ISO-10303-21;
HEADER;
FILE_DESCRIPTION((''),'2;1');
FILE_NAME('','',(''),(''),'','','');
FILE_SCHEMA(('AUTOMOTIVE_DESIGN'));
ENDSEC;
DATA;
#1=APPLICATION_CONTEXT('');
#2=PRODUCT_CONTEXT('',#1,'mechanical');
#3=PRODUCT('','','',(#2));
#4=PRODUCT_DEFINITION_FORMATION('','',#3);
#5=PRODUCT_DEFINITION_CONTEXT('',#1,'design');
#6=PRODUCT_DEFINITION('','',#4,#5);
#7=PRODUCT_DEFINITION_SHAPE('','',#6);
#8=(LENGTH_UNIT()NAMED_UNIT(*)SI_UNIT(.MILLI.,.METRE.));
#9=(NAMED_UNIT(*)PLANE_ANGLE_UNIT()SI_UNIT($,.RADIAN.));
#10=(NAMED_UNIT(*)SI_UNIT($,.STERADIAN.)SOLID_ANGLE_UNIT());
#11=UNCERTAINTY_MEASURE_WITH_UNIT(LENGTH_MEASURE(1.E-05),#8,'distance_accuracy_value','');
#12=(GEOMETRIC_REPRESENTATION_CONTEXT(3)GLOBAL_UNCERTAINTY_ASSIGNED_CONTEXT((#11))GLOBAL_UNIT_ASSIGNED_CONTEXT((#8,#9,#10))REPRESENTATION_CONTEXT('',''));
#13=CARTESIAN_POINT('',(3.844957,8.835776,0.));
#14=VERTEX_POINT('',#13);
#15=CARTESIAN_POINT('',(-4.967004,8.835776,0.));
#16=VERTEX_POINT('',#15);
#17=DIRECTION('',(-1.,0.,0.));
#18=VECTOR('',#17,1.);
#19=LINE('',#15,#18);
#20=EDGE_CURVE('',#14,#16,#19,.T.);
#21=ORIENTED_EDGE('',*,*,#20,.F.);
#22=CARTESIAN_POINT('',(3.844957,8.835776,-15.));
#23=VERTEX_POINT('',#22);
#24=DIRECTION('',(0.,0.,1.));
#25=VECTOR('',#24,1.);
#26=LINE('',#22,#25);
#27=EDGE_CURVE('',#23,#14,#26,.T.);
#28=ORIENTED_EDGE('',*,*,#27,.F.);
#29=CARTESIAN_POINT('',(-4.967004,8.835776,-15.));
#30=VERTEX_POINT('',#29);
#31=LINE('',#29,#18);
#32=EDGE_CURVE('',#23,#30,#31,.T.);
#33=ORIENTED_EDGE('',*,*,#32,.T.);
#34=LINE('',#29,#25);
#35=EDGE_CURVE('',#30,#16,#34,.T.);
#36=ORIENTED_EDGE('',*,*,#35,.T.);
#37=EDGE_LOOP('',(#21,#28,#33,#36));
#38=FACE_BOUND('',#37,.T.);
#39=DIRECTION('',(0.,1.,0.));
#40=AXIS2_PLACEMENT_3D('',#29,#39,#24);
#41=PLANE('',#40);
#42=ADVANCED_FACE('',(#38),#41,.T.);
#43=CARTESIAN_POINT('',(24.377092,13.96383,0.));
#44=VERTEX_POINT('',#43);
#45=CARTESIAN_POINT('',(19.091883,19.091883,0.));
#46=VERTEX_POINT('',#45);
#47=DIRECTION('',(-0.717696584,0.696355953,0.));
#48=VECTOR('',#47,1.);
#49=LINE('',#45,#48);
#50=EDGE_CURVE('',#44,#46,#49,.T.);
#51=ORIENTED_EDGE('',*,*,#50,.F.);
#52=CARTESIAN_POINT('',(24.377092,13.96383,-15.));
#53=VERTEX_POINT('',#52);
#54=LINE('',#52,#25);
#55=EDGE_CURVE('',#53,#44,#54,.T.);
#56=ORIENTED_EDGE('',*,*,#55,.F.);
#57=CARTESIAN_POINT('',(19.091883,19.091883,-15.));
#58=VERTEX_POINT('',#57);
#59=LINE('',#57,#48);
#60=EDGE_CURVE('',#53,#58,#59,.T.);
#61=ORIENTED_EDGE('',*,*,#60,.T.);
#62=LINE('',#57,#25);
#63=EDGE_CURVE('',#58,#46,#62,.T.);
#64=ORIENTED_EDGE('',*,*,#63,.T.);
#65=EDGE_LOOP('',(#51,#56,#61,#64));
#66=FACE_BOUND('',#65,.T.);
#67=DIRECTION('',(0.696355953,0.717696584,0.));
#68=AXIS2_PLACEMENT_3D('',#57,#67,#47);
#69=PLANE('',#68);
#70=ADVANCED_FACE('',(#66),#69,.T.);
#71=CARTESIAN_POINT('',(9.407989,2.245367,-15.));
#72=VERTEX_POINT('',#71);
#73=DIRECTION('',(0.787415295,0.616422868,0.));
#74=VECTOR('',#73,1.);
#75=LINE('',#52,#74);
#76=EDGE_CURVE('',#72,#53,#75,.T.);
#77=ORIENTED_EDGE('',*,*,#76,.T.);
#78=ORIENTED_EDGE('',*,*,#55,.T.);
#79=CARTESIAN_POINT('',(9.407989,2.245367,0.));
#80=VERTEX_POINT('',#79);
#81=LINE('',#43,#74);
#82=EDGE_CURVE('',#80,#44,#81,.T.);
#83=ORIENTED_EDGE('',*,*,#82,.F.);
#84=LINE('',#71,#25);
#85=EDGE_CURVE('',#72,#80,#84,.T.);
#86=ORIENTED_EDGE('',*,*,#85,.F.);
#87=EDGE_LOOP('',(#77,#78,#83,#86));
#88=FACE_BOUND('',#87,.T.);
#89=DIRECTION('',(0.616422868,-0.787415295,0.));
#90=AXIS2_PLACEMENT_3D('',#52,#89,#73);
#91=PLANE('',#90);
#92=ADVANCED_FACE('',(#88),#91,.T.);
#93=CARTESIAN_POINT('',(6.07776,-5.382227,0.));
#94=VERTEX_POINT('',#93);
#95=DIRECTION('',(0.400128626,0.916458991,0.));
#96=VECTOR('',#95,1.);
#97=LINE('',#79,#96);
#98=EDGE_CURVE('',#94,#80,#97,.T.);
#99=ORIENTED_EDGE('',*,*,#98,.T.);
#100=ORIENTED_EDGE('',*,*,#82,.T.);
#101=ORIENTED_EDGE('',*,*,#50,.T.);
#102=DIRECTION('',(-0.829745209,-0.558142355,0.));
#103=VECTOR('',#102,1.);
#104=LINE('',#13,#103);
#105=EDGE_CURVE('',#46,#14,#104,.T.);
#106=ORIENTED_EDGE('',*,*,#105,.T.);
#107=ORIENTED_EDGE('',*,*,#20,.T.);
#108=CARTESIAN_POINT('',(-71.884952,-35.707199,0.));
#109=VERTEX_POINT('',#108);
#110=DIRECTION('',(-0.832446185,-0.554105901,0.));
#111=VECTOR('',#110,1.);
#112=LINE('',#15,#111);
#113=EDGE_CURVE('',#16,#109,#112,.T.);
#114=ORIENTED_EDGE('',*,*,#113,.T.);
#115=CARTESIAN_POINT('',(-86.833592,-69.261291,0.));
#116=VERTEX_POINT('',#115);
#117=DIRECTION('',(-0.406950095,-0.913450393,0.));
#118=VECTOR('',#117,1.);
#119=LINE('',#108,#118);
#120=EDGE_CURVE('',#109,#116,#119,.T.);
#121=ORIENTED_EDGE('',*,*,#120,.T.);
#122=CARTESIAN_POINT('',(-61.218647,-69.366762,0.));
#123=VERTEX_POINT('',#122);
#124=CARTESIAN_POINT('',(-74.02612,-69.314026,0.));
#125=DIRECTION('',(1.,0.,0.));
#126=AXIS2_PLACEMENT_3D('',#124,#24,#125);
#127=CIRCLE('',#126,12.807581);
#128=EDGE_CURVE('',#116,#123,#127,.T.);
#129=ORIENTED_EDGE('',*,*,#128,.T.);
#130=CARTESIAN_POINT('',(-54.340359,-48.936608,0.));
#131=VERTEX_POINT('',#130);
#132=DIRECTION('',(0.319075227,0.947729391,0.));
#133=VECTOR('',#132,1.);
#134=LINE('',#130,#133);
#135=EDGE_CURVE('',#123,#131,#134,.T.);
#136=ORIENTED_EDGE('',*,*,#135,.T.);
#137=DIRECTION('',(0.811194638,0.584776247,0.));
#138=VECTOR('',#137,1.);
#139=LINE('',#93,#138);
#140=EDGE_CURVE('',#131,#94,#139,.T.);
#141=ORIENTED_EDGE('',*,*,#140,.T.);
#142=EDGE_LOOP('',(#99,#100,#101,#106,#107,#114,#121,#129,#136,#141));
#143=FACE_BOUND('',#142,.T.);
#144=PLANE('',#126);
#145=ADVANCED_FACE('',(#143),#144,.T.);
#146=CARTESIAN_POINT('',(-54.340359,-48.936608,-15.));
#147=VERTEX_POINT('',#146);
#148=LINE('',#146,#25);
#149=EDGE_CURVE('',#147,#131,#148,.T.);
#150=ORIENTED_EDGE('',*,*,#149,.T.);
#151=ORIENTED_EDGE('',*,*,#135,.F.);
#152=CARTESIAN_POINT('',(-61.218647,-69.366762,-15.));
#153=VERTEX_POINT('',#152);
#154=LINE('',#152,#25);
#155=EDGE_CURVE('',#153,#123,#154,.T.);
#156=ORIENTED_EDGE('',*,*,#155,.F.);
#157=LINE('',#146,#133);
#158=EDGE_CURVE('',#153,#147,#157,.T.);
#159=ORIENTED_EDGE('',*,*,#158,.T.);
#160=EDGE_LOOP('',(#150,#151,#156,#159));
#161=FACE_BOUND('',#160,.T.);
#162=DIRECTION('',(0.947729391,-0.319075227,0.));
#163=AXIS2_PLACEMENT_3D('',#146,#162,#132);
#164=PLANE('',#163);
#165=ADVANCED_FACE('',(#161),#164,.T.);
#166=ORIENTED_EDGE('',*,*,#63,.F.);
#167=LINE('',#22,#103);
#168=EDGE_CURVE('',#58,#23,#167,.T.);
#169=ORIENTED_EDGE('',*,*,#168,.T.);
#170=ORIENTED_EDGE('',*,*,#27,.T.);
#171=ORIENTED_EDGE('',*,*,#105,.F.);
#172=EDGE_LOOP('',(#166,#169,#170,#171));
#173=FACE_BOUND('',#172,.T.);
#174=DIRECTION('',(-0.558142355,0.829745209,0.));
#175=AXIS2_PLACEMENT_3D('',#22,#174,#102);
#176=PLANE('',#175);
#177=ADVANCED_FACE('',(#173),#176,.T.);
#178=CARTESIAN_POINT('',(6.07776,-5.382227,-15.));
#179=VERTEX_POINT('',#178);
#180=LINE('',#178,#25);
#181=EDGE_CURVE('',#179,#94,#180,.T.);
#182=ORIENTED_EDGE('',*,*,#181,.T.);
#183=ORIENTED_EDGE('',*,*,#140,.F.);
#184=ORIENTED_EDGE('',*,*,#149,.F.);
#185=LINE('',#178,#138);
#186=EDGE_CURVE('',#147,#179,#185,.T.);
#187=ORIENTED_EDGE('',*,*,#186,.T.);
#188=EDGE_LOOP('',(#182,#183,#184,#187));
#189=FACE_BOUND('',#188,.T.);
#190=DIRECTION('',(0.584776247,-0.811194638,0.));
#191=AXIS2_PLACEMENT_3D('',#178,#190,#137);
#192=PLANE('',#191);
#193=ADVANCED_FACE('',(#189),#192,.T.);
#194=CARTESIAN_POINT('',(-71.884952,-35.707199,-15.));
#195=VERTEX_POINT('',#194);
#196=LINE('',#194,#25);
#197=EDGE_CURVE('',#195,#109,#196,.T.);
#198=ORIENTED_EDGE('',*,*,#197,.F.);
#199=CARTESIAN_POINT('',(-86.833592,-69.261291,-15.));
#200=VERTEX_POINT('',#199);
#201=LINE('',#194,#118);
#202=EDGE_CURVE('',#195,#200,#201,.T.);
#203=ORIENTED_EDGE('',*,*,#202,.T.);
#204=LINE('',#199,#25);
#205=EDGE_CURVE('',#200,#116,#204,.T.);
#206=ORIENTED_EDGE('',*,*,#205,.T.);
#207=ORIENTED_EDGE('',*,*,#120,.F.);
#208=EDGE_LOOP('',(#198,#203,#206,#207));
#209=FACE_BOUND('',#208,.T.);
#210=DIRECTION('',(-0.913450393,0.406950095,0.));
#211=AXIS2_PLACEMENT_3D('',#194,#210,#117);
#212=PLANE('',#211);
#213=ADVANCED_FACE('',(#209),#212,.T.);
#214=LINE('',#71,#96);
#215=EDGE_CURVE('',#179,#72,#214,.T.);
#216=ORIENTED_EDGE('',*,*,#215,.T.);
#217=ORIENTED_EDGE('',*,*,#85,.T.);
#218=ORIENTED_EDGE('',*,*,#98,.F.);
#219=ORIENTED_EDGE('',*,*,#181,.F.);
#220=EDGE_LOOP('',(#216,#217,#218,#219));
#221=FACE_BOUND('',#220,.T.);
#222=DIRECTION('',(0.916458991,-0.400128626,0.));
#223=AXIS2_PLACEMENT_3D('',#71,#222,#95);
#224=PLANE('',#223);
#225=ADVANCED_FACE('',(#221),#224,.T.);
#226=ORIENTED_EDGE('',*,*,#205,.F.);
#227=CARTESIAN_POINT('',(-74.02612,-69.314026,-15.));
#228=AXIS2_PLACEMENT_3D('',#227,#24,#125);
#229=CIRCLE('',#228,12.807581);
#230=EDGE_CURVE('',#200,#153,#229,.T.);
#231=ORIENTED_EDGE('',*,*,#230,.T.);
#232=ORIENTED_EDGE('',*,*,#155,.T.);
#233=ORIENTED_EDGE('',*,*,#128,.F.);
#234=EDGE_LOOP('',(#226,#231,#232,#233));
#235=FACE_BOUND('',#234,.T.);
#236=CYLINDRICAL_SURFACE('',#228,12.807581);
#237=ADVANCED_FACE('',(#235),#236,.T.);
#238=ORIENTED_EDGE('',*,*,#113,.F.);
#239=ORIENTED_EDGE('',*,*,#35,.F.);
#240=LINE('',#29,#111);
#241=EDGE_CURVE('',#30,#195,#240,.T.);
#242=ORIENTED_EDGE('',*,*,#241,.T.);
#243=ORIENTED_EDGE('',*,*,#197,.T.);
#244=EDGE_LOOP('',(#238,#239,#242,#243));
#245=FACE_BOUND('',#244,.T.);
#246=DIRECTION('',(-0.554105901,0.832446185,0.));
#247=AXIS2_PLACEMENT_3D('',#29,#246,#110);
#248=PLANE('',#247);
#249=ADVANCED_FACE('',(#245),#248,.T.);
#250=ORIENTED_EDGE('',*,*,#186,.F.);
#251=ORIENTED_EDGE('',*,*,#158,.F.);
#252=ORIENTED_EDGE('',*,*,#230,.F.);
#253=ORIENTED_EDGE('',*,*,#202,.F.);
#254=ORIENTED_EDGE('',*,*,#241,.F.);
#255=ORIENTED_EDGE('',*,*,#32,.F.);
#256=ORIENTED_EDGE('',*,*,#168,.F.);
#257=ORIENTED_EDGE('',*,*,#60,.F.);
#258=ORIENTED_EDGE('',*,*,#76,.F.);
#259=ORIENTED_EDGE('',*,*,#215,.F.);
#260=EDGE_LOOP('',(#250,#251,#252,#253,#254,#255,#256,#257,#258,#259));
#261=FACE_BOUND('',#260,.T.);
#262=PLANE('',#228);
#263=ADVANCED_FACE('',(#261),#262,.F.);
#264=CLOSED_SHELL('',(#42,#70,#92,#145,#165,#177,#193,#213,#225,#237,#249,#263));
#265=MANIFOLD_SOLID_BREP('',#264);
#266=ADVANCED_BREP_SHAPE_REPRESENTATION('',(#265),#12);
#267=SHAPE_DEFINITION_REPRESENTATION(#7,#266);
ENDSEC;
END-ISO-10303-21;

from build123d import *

# Parameters (mm, degrees)
BOSS_EXTRUDE1_DEPTH = 15


with BuildPart() as part:
    # Sketch1 → Boss-Extrude1 (new body)
    with BuildSketch(Plane.XY):
        with BuildLine():
            Line((-4.967004399, 8.835776472), (-71.884952029, -35.707198588))
            Line((-71.884952029, -35.707198588), (-86.833591926, -69.261290707))
            ThreePointArc((-86.833591926, -69.261290707), (-74.078855086, -82.121498504), (-61.218647289, -69.366761664))
            Line((-61.218647289, -69.366761664), (-54.340359202, -48.936608433))
            Line((-54.340359202, -48.936608433), (6.077760006, -5.382226646))
            Line((6.077760006, -5.382226646), (9.40798921, 2.245366823))
            Line((9.40798921, 2.245366823), (24.377091509, 13.963829782))
            Line((24.377091509, 13.963829782), (19.091883092, 19.091883092))
            Line((19.091883092, 19.091883092), (3.844956844, 8.835776472))
            Line((3.844956844, 8.835776472), (-4.967004399, 8.835776472))
        make_face()
    extrude(amount=-BOSS_EXTRUDE1_DEPTH)


solid = part.part
